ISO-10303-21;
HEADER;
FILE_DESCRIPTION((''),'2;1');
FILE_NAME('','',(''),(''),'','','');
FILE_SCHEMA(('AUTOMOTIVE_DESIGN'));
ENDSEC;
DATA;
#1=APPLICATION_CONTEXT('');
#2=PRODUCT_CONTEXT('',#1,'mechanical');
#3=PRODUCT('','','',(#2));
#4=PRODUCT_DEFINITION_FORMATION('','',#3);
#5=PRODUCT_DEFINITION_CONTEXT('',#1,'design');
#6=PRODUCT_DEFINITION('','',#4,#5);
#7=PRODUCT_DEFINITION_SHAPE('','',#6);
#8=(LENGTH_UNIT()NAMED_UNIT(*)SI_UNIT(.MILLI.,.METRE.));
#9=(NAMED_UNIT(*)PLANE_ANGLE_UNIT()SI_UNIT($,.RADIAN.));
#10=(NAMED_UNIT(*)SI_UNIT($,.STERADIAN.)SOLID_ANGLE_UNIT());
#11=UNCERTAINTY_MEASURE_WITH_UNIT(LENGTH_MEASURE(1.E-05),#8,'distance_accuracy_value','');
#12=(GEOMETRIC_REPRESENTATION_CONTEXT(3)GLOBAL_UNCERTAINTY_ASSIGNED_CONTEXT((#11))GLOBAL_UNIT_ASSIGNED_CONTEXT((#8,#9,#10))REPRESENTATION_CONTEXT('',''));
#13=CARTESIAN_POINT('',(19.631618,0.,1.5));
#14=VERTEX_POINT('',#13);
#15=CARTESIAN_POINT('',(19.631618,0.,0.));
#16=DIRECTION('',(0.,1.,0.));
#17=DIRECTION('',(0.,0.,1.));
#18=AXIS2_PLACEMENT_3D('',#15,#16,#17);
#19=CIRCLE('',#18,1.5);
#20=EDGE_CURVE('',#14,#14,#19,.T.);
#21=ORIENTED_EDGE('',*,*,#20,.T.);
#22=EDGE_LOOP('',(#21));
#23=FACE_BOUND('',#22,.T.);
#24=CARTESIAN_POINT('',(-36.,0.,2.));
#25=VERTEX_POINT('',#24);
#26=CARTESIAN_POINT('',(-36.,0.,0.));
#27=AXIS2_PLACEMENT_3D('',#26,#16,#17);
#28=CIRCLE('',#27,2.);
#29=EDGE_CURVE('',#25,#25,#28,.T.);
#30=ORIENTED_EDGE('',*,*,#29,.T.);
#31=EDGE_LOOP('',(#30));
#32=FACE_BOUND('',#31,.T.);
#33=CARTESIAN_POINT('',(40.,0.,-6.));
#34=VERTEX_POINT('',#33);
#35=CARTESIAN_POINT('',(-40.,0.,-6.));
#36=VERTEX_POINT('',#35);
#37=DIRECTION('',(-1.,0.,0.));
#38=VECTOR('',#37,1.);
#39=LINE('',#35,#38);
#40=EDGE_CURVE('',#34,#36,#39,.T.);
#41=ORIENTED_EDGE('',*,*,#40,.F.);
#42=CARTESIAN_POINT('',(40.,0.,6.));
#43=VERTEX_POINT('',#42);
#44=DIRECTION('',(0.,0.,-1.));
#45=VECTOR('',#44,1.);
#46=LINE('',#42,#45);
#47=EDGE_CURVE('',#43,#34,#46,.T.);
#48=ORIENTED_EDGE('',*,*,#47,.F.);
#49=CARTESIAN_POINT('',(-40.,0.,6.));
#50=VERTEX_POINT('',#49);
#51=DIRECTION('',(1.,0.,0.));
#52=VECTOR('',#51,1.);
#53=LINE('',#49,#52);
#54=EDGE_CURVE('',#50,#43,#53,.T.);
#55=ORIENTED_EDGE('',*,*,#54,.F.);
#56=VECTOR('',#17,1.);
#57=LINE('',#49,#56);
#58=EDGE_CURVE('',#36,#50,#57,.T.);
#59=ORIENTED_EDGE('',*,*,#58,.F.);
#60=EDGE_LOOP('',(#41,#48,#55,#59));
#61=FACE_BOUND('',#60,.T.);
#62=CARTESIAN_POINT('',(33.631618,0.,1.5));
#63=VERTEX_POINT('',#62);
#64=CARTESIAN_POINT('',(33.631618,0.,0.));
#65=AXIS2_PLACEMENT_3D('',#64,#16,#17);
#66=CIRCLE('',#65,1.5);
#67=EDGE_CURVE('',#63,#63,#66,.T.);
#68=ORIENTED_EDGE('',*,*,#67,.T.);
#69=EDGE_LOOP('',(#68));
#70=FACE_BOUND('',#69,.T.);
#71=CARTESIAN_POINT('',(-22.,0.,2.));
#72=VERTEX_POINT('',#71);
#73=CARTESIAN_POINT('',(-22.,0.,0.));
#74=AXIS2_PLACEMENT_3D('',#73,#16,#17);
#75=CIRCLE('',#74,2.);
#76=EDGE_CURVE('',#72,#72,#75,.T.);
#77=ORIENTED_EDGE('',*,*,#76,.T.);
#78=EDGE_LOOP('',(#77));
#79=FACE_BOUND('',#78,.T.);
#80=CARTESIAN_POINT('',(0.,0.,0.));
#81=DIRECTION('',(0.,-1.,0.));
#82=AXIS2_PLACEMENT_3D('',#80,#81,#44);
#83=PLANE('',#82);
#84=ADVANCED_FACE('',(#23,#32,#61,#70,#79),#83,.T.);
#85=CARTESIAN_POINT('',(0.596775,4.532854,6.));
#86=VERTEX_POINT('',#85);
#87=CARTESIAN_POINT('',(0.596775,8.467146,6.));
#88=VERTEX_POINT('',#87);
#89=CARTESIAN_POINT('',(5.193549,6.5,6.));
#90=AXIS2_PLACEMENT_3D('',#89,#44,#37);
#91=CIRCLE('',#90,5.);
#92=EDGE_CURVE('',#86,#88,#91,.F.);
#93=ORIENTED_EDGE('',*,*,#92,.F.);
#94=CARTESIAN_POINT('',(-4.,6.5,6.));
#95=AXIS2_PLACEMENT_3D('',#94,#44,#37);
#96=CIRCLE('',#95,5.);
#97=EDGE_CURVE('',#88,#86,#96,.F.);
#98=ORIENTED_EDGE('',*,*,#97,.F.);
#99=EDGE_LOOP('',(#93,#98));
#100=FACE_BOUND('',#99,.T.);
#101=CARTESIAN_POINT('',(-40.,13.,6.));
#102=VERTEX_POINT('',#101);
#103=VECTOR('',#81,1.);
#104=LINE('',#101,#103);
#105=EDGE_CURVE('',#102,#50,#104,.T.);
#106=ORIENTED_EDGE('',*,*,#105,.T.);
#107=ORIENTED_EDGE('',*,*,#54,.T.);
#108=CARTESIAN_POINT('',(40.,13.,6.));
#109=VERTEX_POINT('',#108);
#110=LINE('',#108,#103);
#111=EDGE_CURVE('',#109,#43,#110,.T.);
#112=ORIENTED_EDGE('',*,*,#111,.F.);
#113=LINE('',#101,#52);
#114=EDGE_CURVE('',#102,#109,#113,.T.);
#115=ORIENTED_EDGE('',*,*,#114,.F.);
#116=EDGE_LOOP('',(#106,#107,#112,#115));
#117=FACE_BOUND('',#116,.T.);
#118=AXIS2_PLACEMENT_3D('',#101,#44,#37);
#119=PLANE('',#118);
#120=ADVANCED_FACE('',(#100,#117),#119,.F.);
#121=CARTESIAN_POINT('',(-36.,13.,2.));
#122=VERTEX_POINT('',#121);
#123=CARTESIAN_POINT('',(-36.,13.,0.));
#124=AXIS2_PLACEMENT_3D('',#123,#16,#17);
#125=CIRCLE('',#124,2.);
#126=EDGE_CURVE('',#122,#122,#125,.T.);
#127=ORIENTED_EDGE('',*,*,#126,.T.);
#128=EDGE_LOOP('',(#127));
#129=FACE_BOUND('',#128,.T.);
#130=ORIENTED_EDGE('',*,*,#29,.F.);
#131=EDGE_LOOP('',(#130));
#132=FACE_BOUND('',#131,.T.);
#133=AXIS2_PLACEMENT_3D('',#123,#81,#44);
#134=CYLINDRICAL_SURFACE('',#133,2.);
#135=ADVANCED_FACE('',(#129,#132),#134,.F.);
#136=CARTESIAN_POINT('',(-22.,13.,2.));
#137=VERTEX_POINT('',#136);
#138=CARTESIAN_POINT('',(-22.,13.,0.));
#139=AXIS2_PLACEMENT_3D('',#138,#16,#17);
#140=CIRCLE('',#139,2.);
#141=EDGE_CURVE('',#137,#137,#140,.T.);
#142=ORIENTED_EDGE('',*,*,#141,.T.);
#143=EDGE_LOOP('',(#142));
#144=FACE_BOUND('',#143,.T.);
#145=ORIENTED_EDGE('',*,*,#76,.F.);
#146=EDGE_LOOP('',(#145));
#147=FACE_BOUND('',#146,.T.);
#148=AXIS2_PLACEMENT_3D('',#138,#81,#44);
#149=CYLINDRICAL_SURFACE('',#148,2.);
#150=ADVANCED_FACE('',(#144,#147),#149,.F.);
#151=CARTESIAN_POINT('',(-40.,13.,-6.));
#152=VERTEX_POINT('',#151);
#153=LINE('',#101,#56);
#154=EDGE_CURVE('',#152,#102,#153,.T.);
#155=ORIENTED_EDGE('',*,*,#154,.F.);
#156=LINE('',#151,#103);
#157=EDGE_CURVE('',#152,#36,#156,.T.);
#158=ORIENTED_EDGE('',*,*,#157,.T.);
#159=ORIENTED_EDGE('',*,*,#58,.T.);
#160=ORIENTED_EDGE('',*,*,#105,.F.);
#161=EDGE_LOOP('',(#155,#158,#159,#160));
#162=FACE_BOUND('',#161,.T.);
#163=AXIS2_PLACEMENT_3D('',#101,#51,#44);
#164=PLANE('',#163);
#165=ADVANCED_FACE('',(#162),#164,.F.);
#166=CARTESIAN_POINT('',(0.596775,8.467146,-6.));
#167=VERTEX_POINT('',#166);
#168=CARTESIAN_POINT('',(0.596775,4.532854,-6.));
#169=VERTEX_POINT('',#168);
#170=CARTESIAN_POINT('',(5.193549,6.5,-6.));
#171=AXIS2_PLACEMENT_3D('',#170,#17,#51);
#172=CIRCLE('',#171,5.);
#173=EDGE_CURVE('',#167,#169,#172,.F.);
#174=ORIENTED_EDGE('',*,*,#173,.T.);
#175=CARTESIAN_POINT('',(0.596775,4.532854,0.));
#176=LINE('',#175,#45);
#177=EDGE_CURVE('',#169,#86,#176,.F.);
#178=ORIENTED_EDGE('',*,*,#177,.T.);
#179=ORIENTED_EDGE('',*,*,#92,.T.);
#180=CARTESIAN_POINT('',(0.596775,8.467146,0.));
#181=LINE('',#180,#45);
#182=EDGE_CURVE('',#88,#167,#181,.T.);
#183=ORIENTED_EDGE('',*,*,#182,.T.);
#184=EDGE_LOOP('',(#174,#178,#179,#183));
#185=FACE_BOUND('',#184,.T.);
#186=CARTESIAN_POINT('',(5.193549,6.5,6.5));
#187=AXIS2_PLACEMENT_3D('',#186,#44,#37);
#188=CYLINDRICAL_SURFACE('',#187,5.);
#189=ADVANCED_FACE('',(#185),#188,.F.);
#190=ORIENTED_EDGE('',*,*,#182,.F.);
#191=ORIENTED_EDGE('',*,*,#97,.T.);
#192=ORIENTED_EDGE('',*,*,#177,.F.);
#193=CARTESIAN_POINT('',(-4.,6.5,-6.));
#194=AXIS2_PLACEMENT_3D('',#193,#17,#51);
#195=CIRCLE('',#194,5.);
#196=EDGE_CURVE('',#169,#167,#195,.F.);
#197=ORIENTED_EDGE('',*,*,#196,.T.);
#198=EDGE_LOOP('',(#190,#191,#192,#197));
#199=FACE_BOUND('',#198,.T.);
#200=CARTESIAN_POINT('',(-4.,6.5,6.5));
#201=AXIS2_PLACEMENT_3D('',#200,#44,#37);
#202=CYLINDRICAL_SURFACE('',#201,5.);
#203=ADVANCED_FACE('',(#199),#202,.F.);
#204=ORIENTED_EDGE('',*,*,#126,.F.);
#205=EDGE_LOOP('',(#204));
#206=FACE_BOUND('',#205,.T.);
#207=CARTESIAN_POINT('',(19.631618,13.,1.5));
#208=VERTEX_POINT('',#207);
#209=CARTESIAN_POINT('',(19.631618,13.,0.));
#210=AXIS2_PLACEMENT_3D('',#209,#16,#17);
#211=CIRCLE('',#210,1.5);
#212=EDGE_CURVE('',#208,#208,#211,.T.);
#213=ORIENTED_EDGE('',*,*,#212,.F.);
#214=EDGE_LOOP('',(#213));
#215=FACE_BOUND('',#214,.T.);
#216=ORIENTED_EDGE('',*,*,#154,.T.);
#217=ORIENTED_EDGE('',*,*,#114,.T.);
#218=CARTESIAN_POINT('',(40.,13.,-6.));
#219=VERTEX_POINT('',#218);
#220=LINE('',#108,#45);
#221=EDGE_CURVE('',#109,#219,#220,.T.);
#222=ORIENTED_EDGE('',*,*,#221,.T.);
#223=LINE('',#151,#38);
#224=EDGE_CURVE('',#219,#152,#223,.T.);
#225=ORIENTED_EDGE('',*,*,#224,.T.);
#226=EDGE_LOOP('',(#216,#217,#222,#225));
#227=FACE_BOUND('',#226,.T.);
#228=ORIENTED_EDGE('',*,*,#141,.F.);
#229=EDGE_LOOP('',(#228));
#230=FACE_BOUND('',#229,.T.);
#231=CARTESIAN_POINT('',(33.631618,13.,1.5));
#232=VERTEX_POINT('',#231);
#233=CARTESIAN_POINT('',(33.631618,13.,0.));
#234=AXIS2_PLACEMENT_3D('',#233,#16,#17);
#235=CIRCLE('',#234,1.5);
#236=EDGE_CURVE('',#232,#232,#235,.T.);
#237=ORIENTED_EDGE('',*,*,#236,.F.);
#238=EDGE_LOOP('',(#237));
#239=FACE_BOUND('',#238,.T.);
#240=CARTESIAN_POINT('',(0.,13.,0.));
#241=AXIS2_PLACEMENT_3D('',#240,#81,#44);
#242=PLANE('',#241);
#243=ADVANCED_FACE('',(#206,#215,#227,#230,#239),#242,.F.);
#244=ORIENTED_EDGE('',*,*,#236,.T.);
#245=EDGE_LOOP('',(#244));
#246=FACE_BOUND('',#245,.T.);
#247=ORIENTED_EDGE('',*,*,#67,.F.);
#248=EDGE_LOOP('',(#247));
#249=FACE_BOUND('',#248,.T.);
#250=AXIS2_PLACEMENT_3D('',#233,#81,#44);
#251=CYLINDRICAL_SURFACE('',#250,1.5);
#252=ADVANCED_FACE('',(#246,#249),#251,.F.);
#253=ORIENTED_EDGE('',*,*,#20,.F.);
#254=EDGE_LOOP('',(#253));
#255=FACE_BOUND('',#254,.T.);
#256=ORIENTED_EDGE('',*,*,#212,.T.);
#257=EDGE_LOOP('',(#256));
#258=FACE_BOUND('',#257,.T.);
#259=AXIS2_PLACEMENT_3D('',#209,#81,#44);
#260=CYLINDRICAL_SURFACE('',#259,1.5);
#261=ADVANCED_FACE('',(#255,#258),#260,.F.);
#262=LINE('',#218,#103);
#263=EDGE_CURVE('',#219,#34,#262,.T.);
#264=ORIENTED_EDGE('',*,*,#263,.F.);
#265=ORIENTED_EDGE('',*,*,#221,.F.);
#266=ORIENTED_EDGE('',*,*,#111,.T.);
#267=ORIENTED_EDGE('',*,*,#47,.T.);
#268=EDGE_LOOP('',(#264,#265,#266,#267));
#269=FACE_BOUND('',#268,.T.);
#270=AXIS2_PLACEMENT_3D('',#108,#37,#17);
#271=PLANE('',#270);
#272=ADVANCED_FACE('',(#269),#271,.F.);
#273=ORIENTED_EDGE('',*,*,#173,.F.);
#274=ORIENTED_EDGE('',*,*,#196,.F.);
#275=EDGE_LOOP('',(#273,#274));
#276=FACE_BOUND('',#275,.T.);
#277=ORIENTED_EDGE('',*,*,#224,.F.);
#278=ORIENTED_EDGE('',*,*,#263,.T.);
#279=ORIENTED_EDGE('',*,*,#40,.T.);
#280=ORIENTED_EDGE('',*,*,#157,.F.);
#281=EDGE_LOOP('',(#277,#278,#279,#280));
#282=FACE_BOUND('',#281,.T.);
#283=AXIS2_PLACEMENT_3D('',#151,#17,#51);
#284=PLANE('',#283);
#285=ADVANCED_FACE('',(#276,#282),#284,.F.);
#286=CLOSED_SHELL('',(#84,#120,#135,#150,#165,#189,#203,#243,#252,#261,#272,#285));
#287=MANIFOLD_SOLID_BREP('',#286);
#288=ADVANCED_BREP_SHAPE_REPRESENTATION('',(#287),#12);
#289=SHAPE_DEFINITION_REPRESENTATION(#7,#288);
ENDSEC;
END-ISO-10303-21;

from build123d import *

# Parameters (mm, degrees)
SKETCH2_W               = 80
SKETCH2_H               = 12
BOSS_EXTRUDE1_DEPTH     = 13
SKETCH3_R               = 2
SKETCH3_R_2             = 1.5
CUT_EXTRUDE1_DEPTH      = 13
SKETCH4_R               = 5
CUT_EXTRUDE2_DEPTH      = 6.5
CUT_EXTRUDE2_DEPTH_BACK = 6.5


with BuildPart() as part:
    # Sketch2 → Boss-Extrude1 (new body)
    with BuildSketch(Plane(origin=(0, 0, 0), x_dir=(1, 0, 0), z_dir=(0, 1, 0))):
        Rectangle(SKETCH2_W, SKETCH2_H)
    extrude(amount=BOSS_EXTRUDE1_DEPTH)

    # Sketch3 → Cut-Extrude1 (cut)
    with BuildSketch(Plane(origin=(0, 0, 0), x_dir=(1, 0, 0), z_dir=(0, 1, 0))):
        with Locations((-36, 0)):
            Circle(SKETCH3_R)
        with Locations((-22, 0)):
            Circle(SKETCH3_R)
        with Locations((33.631617814, 0)):
            Circle(SKETCH3_R_2)
        with Locations((19.631617814, 0)):
            Circle(SKETCH3_R_2)
    extrude(amount=CUT_EXTRUDE1_DEPTH, mode=Mode.SUBTRACT)

    # Sketch4 → Cut-Extrude2 (cut, two sides)
    with BuildSketch(Plane.XY) as cut_extrude2_sk:
        with Locations((-4, 6.5)):
            Circle(SKETCH4_R)
        with Locations((5.193549115, 6.5)):
            Circle(SKETCH4_R)
    extrude(amount=CUT_EXTRUDE2_DEPTH, mode=Mode.SUBTRACT)
    extrude(cut_extrude2_sk.sketch, amount=-CUT_EXTRUDE2_DEPTH_BACK, mode=Mode.SUBTRACT)


solid = part.part
